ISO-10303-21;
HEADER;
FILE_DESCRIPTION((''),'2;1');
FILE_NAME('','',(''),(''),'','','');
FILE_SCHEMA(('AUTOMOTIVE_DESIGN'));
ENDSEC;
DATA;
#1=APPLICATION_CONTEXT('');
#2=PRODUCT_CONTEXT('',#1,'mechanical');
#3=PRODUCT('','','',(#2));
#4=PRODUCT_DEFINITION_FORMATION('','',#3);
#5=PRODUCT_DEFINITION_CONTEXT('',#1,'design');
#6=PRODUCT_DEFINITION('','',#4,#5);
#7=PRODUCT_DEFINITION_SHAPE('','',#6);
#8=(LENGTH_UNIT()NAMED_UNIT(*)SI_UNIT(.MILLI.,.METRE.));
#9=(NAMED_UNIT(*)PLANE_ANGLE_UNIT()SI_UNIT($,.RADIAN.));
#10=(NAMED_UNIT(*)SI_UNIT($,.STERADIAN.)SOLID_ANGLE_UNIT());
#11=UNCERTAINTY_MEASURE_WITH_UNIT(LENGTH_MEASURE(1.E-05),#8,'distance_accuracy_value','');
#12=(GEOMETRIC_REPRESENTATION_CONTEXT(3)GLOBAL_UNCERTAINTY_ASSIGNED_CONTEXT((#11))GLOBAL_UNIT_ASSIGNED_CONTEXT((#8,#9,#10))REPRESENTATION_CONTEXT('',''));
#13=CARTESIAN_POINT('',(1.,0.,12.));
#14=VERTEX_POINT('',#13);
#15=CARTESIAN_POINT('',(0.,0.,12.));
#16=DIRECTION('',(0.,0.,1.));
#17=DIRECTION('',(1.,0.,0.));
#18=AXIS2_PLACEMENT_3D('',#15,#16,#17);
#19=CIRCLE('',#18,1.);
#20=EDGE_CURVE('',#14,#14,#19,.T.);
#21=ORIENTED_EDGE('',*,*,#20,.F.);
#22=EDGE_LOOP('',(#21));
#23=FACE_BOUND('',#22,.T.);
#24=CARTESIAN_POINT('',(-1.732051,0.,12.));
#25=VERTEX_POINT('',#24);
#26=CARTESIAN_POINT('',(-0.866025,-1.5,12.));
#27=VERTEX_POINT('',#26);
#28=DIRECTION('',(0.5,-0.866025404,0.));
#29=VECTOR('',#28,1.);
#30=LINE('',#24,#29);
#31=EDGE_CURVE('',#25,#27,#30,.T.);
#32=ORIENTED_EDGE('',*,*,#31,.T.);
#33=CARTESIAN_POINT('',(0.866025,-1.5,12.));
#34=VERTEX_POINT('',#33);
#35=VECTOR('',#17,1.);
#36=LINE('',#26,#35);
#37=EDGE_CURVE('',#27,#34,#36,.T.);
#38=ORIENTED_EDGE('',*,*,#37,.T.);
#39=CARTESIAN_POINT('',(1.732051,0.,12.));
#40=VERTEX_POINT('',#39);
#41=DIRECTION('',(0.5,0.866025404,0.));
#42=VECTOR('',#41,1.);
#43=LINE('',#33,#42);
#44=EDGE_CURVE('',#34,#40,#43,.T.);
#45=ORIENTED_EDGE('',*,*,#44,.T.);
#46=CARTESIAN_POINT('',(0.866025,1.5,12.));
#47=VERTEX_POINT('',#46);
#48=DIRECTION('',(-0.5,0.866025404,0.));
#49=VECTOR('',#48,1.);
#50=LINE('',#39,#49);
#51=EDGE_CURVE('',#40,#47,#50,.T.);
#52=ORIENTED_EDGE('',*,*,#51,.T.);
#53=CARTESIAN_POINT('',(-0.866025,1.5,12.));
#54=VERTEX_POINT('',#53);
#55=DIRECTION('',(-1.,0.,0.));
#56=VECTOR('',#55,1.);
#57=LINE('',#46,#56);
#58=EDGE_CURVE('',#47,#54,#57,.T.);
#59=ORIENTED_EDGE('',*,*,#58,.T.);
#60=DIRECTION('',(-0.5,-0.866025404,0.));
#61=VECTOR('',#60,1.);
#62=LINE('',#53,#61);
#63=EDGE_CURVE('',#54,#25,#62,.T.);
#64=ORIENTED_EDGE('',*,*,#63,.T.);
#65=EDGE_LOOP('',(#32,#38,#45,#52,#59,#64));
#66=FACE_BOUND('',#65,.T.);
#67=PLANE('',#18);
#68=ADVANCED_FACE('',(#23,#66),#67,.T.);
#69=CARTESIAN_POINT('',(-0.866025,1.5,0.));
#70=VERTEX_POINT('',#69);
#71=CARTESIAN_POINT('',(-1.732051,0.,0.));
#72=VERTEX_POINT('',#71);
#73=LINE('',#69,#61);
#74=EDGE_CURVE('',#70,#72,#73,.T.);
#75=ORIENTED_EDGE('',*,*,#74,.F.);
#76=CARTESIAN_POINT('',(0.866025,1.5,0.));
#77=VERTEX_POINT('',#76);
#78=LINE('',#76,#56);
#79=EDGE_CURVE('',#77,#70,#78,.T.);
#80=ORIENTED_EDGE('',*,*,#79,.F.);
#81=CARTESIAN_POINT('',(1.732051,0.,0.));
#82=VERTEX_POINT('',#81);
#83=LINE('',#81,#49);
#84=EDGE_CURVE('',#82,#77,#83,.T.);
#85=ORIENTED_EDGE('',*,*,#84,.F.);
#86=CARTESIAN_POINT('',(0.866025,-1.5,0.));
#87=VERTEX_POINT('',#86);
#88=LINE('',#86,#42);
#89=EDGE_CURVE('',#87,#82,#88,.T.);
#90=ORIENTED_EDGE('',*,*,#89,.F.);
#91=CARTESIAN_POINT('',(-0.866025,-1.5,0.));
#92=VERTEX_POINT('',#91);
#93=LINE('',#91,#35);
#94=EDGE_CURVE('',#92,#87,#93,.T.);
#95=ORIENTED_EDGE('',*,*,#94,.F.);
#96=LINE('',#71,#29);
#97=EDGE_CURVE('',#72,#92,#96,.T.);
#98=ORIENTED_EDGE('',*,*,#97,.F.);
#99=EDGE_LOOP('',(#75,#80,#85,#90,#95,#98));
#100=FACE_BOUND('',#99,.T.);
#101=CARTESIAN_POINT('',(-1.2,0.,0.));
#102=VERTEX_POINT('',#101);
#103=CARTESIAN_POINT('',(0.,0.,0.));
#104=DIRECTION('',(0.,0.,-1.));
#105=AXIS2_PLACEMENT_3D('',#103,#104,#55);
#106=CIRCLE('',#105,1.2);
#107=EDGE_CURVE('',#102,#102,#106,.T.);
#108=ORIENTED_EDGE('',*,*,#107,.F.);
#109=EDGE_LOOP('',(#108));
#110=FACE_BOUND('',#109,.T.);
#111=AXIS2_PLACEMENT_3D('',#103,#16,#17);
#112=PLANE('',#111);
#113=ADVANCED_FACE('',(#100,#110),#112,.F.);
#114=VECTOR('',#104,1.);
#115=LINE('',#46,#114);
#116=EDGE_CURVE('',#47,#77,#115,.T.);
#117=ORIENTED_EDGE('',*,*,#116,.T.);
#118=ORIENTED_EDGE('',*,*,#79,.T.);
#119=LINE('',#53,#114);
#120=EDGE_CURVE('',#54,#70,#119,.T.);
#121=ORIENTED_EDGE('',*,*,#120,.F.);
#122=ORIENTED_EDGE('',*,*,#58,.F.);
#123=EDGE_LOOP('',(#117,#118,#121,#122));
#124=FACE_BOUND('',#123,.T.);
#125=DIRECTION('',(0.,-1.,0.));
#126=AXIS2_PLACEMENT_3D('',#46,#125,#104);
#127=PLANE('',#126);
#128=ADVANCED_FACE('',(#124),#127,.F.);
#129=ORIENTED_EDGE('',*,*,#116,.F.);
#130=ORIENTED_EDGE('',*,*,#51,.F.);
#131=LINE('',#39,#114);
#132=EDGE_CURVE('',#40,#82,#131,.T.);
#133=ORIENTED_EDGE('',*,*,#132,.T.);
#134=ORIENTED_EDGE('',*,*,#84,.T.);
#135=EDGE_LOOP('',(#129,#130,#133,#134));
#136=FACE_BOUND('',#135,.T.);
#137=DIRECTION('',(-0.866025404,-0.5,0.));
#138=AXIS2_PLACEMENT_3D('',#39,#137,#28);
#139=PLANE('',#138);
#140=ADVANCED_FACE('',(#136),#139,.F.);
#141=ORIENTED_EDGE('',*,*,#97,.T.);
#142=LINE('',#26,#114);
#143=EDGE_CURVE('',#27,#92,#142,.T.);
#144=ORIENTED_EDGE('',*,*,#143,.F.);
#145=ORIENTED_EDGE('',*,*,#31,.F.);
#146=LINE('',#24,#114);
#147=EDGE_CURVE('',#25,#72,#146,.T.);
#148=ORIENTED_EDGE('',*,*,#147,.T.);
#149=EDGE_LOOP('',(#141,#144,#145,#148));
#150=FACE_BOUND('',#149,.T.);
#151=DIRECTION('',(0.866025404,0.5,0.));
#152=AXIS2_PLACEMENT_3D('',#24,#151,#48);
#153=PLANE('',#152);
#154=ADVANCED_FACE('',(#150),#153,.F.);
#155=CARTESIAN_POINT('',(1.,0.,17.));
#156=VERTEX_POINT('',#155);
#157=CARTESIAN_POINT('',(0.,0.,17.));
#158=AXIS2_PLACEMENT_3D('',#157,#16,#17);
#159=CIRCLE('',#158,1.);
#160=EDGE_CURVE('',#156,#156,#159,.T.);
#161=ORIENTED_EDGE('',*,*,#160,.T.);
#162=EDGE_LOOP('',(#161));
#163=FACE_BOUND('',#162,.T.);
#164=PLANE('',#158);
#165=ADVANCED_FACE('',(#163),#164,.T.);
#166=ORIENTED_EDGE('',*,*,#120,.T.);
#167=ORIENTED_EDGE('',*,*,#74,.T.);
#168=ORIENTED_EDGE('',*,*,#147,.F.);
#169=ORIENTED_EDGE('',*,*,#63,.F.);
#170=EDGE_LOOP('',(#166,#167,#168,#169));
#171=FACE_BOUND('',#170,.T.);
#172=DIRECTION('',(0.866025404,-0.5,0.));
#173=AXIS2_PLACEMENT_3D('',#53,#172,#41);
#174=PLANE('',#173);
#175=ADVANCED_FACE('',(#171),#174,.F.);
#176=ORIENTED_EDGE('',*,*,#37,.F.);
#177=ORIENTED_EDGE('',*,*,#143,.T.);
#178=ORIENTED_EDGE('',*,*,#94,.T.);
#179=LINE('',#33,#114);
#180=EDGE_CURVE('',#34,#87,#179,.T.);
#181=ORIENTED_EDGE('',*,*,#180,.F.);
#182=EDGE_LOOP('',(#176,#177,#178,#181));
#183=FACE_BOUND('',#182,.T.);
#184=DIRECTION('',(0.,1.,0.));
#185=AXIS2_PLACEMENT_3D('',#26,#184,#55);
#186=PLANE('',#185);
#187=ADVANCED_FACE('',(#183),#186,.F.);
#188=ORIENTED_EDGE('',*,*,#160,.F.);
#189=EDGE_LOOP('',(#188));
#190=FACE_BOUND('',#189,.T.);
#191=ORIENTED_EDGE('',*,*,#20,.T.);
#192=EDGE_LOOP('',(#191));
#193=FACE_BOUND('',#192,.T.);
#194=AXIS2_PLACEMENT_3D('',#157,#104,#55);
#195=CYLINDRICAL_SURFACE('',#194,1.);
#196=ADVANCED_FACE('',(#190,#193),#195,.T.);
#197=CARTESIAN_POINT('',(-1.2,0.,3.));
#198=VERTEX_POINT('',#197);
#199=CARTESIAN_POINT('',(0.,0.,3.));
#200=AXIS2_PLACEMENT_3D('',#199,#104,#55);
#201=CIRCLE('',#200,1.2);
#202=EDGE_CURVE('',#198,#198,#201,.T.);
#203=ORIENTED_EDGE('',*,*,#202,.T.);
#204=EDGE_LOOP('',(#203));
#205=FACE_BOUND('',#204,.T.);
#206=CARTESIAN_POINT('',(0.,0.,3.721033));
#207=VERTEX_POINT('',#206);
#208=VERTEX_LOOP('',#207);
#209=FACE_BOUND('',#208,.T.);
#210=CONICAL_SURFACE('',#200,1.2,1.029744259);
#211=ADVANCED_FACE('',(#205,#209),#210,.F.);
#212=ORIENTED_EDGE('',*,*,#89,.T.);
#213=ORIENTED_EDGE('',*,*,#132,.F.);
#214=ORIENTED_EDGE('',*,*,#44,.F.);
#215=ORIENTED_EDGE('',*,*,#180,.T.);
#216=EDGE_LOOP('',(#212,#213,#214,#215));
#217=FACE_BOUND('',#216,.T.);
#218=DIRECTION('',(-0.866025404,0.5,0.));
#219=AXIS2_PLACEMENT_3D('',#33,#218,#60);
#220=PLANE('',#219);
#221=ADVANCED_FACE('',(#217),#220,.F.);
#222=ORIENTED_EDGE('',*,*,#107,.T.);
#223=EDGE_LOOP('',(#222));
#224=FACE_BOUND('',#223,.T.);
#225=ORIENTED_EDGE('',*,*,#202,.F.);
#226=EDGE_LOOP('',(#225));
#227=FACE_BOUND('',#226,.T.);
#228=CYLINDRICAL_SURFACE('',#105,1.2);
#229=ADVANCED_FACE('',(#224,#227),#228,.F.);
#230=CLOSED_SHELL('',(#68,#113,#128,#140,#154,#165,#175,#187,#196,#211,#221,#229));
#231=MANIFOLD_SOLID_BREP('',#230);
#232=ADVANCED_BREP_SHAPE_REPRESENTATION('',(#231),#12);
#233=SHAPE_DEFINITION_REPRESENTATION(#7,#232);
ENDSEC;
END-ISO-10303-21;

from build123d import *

# Parameters (mm, degrees)
EXTRUDE_1_DEPTH        = 12
SKETCH_2_R             = 1
EXTRUDE_2_DEPTH        = 5
HOLE_WIZARD_M2_1_D     = 2.4
HOLE_WIZARD_M2_1_DEPTH = 3
HOLE_WIZARD_M2_1_TIP   = 0.721032743


with BuildPart() as part:
    # 스케치1 → 보스-돌출1 (new body)
    with BuildSketch(Plane.XY):
        Polygon((0.866025404, -1.5), (1.732050808, 0), (0.866025404, 1.5), (-0.866025404, 1.5), (-1.732050808, 0), (-0.866025404, -1.5), align=None)
    extrude(amount=EXTRUDE_1_DEPTH)

    # 스케치2 → 보스-돌출2 (add)
    with BuildSketch(Plane.XY.offset(12)):
        Circle(SKETCH_2_R)
    extrude(amount=EXTRUDE_2_DEPTH)

    # M2 여유 구멍1
    with Locations(Plane(origin=(0, 0, 0), x_dir=(-1, 0, 0), z_dir=(0, 0, -1))):
        with Locations((0, 0)):
            Hole(HOLE_WIZARD_M2_1_D / 2, depth=HOLE_WIZARD_M2_1_DEPTH)
            with Locations((0, 0, -(HOLE_WIZARD_M2_1_DEPTH + HOLE_WIZARD_M2_1_TIP / 2))):  # 118° drill point
                Cone(0, HOLE_WIZARD_M2_1_D / 2, HOLE_WIZARD_M2_1_TIP, mode=Mode.SUBTRACT)


solid = part.part
